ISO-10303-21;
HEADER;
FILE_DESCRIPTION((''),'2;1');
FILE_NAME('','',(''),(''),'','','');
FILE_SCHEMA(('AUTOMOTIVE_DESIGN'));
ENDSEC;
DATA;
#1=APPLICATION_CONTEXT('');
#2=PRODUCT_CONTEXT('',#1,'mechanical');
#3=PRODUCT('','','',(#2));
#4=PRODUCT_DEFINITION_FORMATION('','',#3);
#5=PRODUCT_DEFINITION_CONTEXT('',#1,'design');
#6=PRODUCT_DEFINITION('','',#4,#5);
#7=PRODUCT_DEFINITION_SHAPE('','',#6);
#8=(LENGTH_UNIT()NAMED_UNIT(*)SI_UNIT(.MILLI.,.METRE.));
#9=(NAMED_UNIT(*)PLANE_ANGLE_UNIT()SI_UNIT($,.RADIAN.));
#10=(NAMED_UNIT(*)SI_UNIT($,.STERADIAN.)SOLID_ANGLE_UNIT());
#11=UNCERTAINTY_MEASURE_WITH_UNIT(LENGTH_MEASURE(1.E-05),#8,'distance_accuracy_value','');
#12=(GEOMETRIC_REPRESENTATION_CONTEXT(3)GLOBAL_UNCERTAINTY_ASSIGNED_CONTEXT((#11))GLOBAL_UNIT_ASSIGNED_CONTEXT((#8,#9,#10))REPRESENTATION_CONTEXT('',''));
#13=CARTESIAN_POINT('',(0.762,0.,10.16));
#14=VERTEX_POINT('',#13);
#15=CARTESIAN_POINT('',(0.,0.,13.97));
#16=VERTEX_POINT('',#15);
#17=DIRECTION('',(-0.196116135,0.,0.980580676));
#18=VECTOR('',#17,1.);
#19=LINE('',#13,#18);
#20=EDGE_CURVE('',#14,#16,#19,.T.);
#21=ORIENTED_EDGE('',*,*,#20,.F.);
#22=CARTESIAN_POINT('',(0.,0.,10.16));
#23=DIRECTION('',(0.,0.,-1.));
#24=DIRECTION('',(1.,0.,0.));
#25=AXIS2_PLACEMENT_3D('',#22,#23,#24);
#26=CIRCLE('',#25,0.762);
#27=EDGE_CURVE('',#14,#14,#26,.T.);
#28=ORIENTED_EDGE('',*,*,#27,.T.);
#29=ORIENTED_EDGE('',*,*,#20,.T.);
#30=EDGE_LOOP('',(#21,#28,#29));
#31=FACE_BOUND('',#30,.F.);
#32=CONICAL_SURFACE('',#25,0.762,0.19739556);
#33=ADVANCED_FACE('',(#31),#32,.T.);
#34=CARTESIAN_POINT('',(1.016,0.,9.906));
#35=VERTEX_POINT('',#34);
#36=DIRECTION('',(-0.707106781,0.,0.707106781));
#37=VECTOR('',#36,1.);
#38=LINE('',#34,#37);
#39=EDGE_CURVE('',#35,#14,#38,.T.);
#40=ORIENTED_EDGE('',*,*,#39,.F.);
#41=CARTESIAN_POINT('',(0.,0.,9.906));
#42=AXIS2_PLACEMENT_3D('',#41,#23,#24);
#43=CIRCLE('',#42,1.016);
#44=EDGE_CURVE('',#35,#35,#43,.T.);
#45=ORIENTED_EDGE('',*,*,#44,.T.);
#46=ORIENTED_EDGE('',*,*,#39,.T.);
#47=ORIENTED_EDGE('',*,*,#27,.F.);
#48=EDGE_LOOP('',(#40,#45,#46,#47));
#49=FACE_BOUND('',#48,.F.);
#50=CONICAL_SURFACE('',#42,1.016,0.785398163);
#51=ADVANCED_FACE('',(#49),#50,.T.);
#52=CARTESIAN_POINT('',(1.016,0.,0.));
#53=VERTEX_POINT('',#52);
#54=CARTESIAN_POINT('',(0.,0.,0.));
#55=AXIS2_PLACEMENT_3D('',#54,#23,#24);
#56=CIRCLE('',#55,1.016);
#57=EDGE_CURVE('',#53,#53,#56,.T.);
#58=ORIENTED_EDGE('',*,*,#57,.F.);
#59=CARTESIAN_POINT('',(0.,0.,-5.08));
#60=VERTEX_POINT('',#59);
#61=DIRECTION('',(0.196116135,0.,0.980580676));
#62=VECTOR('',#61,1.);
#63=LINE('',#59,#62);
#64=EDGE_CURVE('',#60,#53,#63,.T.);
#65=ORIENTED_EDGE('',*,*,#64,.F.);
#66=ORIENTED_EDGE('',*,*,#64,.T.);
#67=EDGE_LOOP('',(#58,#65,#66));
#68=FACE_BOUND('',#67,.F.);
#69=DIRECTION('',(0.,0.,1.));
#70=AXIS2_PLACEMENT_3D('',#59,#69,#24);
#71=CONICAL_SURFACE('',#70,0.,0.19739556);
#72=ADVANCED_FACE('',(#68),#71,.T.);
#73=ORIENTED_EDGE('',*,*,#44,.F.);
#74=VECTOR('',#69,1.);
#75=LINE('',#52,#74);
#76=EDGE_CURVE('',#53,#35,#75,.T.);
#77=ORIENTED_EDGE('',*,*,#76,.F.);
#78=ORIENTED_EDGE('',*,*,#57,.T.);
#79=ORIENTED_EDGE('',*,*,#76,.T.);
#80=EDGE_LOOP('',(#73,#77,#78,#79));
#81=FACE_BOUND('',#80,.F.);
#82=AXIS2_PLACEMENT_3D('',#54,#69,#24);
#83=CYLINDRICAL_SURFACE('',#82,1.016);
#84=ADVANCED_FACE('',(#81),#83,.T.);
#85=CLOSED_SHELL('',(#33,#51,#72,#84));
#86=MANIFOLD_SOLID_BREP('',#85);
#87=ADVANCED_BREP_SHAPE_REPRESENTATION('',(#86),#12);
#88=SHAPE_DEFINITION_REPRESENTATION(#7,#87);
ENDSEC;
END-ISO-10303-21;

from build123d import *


with BuildPart() as f1:
    # F0 (on Front) → F1 (revolve)
    with BuildSketch(Plane.XZ):
        Polygon((0, 10.16), (0, 0), (1.016, 0), (1.016, 9.906), (0.762, 10.16), align=None)
        Polygon((0, 13.97), (0, 10.16), (0.762, 10.16), align=None)
        Polygon((1.016, 0), (0, 0), (0, -5.08), align=None)
    revolve(axis=Axis((0, 0, 4.626156), (0, 0, -1)))


solid = f1.part
